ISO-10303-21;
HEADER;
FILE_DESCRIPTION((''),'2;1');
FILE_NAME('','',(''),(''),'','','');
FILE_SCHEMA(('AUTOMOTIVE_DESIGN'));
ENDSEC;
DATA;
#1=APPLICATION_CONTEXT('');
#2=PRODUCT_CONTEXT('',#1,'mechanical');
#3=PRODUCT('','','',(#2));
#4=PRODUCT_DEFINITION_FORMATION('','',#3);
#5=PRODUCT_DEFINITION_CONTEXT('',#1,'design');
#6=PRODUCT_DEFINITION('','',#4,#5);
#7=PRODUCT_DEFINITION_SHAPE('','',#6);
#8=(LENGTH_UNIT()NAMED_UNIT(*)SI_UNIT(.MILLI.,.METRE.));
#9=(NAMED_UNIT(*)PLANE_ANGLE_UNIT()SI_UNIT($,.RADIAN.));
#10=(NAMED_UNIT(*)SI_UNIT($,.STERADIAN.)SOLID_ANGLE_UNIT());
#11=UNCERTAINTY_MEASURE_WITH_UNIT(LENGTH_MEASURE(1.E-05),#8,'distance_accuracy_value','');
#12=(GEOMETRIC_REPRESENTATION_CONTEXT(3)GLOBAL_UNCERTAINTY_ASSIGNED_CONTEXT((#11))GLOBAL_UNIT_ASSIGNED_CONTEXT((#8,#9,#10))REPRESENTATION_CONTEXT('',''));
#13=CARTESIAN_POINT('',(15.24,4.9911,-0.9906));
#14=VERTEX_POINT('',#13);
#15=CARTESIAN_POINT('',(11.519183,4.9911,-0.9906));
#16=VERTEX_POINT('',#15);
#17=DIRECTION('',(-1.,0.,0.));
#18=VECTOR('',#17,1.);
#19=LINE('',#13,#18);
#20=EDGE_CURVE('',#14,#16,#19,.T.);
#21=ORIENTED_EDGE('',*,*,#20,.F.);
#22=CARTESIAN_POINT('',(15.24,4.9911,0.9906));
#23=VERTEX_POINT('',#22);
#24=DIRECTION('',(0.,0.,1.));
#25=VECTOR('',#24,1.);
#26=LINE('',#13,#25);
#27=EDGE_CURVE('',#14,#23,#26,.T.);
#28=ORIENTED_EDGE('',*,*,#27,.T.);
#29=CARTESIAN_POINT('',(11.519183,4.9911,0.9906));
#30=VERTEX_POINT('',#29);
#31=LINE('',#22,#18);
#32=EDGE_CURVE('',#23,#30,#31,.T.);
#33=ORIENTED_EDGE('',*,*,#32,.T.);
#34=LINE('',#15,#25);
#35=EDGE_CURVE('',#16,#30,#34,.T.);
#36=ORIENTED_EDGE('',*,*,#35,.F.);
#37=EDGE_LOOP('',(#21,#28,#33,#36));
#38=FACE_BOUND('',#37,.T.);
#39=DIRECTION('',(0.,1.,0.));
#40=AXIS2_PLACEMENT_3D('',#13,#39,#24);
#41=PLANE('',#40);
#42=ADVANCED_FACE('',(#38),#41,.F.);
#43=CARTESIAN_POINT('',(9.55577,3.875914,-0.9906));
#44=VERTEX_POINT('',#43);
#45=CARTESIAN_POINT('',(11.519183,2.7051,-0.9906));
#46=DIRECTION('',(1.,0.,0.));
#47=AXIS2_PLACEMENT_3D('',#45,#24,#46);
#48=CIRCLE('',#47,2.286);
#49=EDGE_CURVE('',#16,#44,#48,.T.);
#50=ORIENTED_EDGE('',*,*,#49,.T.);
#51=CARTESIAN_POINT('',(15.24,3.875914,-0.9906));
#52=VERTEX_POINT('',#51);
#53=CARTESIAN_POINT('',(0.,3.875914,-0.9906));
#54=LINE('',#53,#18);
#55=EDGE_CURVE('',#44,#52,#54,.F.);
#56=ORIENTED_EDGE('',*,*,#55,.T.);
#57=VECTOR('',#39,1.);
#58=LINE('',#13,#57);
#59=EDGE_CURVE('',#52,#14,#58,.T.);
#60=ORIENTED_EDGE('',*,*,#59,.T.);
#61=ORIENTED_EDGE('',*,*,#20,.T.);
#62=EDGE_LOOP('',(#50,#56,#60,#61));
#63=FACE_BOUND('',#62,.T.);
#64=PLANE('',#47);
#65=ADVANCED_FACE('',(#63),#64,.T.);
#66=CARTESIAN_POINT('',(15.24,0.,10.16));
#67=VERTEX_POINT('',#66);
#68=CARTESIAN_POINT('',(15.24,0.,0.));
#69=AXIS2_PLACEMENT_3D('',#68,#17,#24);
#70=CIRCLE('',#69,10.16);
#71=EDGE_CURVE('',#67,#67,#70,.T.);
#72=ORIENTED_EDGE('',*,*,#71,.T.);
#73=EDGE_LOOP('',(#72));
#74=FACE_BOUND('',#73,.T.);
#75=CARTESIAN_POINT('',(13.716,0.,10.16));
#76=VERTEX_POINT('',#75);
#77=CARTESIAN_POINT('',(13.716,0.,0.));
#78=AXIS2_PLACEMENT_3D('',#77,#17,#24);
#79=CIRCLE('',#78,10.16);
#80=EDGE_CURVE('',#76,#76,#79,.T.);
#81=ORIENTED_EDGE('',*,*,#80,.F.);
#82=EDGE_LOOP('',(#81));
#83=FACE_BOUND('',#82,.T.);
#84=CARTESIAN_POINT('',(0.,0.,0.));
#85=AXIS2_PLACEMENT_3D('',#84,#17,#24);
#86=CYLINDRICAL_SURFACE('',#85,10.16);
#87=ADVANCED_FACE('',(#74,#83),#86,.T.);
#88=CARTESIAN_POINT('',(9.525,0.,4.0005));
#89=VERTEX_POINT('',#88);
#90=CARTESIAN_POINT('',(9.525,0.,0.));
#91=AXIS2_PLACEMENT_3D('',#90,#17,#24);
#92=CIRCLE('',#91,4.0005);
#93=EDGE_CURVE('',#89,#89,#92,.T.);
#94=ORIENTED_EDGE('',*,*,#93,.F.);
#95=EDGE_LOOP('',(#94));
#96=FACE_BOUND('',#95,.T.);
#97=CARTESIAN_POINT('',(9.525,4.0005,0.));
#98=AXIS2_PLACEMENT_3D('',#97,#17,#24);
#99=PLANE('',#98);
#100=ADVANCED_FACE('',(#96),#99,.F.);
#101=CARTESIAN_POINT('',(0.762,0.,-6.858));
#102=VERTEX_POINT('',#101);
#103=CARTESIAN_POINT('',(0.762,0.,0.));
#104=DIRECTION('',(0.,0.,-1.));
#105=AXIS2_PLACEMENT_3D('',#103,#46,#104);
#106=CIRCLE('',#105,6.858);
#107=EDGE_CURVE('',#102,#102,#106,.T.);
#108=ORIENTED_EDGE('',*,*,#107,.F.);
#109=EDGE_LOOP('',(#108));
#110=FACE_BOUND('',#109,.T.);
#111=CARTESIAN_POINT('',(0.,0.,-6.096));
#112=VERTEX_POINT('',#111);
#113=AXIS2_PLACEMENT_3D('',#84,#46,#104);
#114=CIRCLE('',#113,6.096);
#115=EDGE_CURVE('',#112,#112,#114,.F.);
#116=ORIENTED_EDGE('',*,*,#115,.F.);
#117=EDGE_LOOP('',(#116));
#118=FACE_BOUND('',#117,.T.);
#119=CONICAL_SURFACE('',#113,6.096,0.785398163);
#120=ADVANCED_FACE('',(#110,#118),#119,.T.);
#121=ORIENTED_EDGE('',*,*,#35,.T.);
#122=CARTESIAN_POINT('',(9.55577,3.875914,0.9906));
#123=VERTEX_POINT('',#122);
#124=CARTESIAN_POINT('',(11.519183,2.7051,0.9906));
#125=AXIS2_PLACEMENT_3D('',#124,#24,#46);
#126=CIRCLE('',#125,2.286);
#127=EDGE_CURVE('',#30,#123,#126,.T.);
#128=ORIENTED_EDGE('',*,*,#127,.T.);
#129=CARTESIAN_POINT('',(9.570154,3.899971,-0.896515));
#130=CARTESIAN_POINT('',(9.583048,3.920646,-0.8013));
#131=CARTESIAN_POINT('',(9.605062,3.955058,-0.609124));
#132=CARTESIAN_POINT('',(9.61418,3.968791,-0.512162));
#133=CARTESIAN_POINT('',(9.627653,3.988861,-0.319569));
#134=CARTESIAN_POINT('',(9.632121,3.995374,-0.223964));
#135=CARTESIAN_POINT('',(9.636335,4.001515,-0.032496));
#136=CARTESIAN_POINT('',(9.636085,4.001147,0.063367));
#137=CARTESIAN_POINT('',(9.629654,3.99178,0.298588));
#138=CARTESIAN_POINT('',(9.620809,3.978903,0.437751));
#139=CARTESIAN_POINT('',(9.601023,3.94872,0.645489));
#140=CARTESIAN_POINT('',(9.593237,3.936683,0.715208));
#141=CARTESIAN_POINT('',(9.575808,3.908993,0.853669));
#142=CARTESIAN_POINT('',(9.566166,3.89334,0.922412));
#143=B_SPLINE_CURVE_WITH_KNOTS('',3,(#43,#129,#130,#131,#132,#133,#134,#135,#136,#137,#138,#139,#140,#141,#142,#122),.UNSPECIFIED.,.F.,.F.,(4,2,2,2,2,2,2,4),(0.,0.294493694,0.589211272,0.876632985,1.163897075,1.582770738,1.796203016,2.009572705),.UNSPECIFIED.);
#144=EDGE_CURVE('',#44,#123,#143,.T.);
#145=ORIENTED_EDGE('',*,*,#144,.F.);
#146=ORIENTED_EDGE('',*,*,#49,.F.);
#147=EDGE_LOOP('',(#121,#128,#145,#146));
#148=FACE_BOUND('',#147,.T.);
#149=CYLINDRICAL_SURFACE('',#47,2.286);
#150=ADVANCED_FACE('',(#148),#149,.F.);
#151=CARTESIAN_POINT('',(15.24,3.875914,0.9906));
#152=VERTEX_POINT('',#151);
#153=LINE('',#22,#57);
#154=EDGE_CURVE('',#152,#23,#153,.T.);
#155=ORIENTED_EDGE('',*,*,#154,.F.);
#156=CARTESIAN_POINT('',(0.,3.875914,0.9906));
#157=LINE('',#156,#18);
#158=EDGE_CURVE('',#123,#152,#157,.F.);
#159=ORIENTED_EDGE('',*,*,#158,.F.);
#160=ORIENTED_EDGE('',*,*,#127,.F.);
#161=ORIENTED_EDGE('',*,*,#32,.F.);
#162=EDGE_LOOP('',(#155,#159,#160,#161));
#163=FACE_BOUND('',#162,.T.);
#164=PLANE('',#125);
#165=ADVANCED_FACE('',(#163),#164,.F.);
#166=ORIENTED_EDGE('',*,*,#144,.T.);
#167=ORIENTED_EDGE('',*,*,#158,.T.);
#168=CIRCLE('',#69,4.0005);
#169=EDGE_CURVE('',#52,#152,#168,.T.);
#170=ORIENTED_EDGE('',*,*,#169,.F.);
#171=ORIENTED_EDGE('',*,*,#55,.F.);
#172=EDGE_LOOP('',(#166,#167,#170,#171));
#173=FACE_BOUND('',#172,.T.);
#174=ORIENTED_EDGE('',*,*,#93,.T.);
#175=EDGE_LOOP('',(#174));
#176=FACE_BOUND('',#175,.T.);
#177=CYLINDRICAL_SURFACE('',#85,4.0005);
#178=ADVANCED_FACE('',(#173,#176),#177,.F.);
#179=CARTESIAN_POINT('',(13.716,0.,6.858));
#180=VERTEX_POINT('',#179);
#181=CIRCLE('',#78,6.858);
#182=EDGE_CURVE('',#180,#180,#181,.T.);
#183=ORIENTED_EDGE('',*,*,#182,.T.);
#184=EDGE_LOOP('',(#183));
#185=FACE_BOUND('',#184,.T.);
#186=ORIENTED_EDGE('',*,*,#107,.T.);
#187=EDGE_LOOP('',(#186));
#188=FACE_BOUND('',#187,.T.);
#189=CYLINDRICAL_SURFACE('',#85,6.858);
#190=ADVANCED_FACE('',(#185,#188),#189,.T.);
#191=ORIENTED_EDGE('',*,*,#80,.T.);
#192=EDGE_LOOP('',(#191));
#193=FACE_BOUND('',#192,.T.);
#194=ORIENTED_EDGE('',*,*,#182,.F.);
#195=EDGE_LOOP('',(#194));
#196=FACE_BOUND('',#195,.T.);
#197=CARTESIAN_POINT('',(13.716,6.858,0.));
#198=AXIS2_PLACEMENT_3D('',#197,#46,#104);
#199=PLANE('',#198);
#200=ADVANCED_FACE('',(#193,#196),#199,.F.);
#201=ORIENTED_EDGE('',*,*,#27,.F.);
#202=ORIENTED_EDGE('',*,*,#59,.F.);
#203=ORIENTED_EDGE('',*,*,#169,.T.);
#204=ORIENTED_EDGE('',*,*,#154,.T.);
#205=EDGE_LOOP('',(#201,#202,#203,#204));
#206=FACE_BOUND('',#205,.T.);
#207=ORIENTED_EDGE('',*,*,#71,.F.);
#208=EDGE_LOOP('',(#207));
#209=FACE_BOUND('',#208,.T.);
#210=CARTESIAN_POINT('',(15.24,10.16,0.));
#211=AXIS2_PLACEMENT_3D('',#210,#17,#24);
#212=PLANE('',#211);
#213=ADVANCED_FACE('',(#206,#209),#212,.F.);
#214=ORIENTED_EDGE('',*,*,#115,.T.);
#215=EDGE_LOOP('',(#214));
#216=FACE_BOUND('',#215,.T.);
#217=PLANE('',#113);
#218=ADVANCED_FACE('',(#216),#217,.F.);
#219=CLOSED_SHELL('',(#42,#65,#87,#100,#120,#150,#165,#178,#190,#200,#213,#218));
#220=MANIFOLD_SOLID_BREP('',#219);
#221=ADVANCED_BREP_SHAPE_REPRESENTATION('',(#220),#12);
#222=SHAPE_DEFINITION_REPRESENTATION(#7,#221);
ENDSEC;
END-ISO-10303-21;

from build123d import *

# Parameters (mm, degrees)
CHAMFER1_SIZE  = 0.762
EXTRUDE1_DEPTH = 0.9906


with BuildPart() as part:
    # Sketch1 → Revolve1 (revolve)
    with BuildSketch(Plane.XY, mode=Mode.PRIVATE) as revolve1_sk:
        Polygon((0, 0), (0, 6.858), (13.716, 6.858), (13.716, 10.16), (15.24, 10.16), (15.24, 4.0005), (9.525, 4.0005), (9.525, 0), align=None)
    revolve(revolve1_sk.sketch.rotate(Axis((0, 0, 0), (1, 0, 0)), 90), axis=Axis((0, 0, 0), (1, 0, 0)))

    # Chamfer1
    chamfer1_edges = [part.edges().sort_by_distance(p)[0] for p in [
        (0, 0, -6.858),
    ]]
    chamfer(chamfer1_edges, length=CHAMFER1_SIZE)

    # Sketch3 → Extrude1 (cut, symmetric)
    with BuildSketch(Plane.XY):
        with BuildLine():
            Line((15.24, 4.9911), (11.519183101, 4.9911))
            ThreePointArc((11.519183101, 4.9911), (10.363552883, 4.677488096), (9.525, 3.8227))
            Line((9.525, 3.8227), (15.24, 3.8227))
            Line((15.24, 3.8227), (15.24, 4.9911))
        make_face()
    extrude(amount=EXTRUDE1_DEPTH, both=True, mode=Mode.SUBTRACT)


solid = part.part
